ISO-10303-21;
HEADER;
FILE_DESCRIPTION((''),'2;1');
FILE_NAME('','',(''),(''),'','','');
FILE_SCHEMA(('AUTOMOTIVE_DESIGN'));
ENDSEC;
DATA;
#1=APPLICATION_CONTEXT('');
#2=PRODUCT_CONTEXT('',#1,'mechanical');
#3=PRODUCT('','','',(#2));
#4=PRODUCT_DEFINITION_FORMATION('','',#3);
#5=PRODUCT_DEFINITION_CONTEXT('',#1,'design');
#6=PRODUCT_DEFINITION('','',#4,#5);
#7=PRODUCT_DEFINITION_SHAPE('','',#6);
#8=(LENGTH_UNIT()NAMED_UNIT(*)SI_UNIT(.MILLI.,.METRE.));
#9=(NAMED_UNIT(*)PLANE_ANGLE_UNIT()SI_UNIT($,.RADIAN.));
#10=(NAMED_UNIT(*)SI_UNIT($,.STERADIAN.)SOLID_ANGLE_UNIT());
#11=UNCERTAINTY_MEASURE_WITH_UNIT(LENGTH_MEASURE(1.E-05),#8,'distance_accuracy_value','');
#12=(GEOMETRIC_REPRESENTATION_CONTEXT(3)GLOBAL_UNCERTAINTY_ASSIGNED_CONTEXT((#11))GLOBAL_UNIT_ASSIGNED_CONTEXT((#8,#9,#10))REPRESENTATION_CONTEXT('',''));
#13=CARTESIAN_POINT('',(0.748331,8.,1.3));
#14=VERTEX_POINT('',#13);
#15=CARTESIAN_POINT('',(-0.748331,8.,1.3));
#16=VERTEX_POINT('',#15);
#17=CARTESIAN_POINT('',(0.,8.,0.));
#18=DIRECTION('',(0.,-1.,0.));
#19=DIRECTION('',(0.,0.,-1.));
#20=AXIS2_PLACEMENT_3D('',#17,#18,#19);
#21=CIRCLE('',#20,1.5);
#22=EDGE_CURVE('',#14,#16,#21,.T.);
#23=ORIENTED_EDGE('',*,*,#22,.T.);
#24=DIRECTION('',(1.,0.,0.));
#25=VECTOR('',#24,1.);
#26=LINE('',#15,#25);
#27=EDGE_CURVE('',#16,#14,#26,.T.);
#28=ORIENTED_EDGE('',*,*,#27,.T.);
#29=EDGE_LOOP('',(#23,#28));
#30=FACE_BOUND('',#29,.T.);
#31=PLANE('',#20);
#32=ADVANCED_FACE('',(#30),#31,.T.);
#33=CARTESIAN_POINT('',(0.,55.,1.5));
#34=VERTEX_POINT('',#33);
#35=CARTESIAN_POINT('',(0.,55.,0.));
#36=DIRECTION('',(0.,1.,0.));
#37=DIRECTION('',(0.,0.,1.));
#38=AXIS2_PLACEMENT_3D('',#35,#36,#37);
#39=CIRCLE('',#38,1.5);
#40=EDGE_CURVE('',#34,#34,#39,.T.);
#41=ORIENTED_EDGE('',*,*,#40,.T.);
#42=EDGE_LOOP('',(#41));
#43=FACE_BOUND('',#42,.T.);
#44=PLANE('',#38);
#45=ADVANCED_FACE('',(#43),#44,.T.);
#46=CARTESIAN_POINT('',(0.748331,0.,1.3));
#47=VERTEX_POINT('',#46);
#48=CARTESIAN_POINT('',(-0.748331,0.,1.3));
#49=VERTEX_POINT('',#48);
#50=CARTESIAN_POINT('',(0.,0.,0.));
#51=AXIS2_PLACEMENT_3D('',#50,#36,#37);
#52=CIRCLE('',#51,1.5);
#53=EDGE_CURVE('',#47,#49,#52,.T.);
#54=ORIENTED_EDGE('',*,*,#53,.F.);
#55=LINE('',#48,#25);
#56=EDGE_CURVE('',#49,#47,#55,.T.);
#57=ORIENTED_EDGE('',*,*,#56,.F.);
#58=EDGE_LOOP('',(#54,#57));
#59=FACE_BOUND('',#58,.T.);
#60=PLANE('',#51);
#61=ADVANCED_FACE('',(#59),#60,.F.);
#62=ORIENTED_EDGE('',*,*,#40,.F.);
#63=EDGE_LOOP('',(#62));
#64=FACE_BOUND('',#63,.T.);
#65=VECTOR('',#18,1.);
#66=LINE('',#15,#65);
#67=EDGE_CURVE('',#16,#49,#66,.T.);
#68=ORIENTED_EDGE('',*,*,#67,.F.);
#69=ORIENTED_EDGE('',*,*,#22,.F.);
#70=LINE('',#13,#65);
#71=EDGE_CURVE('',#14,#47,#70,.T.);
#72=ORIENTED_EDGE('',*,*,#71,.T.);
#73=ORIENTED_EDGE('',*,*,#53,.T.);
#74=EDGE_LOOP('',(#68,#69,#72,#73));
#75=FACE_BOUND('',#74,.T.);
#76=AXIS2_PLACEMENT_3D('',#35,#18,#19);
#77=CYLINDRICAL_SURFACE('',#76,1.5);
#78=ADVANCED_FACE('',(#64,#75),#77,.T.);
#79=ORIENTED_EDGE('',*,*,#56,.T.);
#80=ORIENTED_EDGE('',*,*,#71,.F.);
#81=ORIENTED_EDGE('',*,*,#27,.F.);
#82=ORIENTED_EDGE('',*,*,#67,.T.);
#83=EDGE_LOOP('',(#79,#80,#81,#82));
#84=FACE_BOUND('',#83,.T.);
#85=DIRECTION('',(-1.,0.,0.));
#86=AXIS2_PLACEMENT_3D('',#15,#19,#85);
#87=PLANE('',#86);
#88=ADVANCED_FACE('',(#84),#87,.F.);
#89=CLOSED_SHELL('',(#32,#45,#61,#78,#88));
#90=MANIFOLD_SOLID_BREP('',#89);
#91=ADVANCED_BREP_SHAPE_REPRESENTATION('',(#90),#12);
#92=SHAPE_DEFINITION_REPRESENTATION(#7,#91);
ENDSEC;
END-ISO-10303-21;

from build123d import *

# Parameters (mm, degrees)
SKETCH1_R           = 1.5
BOSS_EXTRUDE1_DEPTH = 55
CUT_EXTRUDE1_DEPTH  = 8


with BuildPart() as part:
    # Sketch1 → Boss-Extrude1 (new body)
    with BuildSketch(Plane(origin=(0, 0, 0), x_dir=(1, 0, 0), z_dir=(0, 1, 0))):
        with Locations(Location((0, 0, 0), (0, 0, 270))):
            Circle(SKETCH1_R)
    extrude(amount=BOSS_EXTRUDE1_DEPTH)

    # Sketch2 → Cut-Extrude1 (cut)
    with BuildSketch(Plane.XZ):
        with BuildLine():
            Line((-0.748331477, 1.3), (0.748331477, 1.3))
            ThreePointArc((0.748331477, 1.3), (0, 1.5), (-0.748331477, 1.3))
        make_face()
    extrude(amount=-CUT_EXTRUDE1_DEPTH, mode=Mode.SUBTRACT)


solid = part.part
